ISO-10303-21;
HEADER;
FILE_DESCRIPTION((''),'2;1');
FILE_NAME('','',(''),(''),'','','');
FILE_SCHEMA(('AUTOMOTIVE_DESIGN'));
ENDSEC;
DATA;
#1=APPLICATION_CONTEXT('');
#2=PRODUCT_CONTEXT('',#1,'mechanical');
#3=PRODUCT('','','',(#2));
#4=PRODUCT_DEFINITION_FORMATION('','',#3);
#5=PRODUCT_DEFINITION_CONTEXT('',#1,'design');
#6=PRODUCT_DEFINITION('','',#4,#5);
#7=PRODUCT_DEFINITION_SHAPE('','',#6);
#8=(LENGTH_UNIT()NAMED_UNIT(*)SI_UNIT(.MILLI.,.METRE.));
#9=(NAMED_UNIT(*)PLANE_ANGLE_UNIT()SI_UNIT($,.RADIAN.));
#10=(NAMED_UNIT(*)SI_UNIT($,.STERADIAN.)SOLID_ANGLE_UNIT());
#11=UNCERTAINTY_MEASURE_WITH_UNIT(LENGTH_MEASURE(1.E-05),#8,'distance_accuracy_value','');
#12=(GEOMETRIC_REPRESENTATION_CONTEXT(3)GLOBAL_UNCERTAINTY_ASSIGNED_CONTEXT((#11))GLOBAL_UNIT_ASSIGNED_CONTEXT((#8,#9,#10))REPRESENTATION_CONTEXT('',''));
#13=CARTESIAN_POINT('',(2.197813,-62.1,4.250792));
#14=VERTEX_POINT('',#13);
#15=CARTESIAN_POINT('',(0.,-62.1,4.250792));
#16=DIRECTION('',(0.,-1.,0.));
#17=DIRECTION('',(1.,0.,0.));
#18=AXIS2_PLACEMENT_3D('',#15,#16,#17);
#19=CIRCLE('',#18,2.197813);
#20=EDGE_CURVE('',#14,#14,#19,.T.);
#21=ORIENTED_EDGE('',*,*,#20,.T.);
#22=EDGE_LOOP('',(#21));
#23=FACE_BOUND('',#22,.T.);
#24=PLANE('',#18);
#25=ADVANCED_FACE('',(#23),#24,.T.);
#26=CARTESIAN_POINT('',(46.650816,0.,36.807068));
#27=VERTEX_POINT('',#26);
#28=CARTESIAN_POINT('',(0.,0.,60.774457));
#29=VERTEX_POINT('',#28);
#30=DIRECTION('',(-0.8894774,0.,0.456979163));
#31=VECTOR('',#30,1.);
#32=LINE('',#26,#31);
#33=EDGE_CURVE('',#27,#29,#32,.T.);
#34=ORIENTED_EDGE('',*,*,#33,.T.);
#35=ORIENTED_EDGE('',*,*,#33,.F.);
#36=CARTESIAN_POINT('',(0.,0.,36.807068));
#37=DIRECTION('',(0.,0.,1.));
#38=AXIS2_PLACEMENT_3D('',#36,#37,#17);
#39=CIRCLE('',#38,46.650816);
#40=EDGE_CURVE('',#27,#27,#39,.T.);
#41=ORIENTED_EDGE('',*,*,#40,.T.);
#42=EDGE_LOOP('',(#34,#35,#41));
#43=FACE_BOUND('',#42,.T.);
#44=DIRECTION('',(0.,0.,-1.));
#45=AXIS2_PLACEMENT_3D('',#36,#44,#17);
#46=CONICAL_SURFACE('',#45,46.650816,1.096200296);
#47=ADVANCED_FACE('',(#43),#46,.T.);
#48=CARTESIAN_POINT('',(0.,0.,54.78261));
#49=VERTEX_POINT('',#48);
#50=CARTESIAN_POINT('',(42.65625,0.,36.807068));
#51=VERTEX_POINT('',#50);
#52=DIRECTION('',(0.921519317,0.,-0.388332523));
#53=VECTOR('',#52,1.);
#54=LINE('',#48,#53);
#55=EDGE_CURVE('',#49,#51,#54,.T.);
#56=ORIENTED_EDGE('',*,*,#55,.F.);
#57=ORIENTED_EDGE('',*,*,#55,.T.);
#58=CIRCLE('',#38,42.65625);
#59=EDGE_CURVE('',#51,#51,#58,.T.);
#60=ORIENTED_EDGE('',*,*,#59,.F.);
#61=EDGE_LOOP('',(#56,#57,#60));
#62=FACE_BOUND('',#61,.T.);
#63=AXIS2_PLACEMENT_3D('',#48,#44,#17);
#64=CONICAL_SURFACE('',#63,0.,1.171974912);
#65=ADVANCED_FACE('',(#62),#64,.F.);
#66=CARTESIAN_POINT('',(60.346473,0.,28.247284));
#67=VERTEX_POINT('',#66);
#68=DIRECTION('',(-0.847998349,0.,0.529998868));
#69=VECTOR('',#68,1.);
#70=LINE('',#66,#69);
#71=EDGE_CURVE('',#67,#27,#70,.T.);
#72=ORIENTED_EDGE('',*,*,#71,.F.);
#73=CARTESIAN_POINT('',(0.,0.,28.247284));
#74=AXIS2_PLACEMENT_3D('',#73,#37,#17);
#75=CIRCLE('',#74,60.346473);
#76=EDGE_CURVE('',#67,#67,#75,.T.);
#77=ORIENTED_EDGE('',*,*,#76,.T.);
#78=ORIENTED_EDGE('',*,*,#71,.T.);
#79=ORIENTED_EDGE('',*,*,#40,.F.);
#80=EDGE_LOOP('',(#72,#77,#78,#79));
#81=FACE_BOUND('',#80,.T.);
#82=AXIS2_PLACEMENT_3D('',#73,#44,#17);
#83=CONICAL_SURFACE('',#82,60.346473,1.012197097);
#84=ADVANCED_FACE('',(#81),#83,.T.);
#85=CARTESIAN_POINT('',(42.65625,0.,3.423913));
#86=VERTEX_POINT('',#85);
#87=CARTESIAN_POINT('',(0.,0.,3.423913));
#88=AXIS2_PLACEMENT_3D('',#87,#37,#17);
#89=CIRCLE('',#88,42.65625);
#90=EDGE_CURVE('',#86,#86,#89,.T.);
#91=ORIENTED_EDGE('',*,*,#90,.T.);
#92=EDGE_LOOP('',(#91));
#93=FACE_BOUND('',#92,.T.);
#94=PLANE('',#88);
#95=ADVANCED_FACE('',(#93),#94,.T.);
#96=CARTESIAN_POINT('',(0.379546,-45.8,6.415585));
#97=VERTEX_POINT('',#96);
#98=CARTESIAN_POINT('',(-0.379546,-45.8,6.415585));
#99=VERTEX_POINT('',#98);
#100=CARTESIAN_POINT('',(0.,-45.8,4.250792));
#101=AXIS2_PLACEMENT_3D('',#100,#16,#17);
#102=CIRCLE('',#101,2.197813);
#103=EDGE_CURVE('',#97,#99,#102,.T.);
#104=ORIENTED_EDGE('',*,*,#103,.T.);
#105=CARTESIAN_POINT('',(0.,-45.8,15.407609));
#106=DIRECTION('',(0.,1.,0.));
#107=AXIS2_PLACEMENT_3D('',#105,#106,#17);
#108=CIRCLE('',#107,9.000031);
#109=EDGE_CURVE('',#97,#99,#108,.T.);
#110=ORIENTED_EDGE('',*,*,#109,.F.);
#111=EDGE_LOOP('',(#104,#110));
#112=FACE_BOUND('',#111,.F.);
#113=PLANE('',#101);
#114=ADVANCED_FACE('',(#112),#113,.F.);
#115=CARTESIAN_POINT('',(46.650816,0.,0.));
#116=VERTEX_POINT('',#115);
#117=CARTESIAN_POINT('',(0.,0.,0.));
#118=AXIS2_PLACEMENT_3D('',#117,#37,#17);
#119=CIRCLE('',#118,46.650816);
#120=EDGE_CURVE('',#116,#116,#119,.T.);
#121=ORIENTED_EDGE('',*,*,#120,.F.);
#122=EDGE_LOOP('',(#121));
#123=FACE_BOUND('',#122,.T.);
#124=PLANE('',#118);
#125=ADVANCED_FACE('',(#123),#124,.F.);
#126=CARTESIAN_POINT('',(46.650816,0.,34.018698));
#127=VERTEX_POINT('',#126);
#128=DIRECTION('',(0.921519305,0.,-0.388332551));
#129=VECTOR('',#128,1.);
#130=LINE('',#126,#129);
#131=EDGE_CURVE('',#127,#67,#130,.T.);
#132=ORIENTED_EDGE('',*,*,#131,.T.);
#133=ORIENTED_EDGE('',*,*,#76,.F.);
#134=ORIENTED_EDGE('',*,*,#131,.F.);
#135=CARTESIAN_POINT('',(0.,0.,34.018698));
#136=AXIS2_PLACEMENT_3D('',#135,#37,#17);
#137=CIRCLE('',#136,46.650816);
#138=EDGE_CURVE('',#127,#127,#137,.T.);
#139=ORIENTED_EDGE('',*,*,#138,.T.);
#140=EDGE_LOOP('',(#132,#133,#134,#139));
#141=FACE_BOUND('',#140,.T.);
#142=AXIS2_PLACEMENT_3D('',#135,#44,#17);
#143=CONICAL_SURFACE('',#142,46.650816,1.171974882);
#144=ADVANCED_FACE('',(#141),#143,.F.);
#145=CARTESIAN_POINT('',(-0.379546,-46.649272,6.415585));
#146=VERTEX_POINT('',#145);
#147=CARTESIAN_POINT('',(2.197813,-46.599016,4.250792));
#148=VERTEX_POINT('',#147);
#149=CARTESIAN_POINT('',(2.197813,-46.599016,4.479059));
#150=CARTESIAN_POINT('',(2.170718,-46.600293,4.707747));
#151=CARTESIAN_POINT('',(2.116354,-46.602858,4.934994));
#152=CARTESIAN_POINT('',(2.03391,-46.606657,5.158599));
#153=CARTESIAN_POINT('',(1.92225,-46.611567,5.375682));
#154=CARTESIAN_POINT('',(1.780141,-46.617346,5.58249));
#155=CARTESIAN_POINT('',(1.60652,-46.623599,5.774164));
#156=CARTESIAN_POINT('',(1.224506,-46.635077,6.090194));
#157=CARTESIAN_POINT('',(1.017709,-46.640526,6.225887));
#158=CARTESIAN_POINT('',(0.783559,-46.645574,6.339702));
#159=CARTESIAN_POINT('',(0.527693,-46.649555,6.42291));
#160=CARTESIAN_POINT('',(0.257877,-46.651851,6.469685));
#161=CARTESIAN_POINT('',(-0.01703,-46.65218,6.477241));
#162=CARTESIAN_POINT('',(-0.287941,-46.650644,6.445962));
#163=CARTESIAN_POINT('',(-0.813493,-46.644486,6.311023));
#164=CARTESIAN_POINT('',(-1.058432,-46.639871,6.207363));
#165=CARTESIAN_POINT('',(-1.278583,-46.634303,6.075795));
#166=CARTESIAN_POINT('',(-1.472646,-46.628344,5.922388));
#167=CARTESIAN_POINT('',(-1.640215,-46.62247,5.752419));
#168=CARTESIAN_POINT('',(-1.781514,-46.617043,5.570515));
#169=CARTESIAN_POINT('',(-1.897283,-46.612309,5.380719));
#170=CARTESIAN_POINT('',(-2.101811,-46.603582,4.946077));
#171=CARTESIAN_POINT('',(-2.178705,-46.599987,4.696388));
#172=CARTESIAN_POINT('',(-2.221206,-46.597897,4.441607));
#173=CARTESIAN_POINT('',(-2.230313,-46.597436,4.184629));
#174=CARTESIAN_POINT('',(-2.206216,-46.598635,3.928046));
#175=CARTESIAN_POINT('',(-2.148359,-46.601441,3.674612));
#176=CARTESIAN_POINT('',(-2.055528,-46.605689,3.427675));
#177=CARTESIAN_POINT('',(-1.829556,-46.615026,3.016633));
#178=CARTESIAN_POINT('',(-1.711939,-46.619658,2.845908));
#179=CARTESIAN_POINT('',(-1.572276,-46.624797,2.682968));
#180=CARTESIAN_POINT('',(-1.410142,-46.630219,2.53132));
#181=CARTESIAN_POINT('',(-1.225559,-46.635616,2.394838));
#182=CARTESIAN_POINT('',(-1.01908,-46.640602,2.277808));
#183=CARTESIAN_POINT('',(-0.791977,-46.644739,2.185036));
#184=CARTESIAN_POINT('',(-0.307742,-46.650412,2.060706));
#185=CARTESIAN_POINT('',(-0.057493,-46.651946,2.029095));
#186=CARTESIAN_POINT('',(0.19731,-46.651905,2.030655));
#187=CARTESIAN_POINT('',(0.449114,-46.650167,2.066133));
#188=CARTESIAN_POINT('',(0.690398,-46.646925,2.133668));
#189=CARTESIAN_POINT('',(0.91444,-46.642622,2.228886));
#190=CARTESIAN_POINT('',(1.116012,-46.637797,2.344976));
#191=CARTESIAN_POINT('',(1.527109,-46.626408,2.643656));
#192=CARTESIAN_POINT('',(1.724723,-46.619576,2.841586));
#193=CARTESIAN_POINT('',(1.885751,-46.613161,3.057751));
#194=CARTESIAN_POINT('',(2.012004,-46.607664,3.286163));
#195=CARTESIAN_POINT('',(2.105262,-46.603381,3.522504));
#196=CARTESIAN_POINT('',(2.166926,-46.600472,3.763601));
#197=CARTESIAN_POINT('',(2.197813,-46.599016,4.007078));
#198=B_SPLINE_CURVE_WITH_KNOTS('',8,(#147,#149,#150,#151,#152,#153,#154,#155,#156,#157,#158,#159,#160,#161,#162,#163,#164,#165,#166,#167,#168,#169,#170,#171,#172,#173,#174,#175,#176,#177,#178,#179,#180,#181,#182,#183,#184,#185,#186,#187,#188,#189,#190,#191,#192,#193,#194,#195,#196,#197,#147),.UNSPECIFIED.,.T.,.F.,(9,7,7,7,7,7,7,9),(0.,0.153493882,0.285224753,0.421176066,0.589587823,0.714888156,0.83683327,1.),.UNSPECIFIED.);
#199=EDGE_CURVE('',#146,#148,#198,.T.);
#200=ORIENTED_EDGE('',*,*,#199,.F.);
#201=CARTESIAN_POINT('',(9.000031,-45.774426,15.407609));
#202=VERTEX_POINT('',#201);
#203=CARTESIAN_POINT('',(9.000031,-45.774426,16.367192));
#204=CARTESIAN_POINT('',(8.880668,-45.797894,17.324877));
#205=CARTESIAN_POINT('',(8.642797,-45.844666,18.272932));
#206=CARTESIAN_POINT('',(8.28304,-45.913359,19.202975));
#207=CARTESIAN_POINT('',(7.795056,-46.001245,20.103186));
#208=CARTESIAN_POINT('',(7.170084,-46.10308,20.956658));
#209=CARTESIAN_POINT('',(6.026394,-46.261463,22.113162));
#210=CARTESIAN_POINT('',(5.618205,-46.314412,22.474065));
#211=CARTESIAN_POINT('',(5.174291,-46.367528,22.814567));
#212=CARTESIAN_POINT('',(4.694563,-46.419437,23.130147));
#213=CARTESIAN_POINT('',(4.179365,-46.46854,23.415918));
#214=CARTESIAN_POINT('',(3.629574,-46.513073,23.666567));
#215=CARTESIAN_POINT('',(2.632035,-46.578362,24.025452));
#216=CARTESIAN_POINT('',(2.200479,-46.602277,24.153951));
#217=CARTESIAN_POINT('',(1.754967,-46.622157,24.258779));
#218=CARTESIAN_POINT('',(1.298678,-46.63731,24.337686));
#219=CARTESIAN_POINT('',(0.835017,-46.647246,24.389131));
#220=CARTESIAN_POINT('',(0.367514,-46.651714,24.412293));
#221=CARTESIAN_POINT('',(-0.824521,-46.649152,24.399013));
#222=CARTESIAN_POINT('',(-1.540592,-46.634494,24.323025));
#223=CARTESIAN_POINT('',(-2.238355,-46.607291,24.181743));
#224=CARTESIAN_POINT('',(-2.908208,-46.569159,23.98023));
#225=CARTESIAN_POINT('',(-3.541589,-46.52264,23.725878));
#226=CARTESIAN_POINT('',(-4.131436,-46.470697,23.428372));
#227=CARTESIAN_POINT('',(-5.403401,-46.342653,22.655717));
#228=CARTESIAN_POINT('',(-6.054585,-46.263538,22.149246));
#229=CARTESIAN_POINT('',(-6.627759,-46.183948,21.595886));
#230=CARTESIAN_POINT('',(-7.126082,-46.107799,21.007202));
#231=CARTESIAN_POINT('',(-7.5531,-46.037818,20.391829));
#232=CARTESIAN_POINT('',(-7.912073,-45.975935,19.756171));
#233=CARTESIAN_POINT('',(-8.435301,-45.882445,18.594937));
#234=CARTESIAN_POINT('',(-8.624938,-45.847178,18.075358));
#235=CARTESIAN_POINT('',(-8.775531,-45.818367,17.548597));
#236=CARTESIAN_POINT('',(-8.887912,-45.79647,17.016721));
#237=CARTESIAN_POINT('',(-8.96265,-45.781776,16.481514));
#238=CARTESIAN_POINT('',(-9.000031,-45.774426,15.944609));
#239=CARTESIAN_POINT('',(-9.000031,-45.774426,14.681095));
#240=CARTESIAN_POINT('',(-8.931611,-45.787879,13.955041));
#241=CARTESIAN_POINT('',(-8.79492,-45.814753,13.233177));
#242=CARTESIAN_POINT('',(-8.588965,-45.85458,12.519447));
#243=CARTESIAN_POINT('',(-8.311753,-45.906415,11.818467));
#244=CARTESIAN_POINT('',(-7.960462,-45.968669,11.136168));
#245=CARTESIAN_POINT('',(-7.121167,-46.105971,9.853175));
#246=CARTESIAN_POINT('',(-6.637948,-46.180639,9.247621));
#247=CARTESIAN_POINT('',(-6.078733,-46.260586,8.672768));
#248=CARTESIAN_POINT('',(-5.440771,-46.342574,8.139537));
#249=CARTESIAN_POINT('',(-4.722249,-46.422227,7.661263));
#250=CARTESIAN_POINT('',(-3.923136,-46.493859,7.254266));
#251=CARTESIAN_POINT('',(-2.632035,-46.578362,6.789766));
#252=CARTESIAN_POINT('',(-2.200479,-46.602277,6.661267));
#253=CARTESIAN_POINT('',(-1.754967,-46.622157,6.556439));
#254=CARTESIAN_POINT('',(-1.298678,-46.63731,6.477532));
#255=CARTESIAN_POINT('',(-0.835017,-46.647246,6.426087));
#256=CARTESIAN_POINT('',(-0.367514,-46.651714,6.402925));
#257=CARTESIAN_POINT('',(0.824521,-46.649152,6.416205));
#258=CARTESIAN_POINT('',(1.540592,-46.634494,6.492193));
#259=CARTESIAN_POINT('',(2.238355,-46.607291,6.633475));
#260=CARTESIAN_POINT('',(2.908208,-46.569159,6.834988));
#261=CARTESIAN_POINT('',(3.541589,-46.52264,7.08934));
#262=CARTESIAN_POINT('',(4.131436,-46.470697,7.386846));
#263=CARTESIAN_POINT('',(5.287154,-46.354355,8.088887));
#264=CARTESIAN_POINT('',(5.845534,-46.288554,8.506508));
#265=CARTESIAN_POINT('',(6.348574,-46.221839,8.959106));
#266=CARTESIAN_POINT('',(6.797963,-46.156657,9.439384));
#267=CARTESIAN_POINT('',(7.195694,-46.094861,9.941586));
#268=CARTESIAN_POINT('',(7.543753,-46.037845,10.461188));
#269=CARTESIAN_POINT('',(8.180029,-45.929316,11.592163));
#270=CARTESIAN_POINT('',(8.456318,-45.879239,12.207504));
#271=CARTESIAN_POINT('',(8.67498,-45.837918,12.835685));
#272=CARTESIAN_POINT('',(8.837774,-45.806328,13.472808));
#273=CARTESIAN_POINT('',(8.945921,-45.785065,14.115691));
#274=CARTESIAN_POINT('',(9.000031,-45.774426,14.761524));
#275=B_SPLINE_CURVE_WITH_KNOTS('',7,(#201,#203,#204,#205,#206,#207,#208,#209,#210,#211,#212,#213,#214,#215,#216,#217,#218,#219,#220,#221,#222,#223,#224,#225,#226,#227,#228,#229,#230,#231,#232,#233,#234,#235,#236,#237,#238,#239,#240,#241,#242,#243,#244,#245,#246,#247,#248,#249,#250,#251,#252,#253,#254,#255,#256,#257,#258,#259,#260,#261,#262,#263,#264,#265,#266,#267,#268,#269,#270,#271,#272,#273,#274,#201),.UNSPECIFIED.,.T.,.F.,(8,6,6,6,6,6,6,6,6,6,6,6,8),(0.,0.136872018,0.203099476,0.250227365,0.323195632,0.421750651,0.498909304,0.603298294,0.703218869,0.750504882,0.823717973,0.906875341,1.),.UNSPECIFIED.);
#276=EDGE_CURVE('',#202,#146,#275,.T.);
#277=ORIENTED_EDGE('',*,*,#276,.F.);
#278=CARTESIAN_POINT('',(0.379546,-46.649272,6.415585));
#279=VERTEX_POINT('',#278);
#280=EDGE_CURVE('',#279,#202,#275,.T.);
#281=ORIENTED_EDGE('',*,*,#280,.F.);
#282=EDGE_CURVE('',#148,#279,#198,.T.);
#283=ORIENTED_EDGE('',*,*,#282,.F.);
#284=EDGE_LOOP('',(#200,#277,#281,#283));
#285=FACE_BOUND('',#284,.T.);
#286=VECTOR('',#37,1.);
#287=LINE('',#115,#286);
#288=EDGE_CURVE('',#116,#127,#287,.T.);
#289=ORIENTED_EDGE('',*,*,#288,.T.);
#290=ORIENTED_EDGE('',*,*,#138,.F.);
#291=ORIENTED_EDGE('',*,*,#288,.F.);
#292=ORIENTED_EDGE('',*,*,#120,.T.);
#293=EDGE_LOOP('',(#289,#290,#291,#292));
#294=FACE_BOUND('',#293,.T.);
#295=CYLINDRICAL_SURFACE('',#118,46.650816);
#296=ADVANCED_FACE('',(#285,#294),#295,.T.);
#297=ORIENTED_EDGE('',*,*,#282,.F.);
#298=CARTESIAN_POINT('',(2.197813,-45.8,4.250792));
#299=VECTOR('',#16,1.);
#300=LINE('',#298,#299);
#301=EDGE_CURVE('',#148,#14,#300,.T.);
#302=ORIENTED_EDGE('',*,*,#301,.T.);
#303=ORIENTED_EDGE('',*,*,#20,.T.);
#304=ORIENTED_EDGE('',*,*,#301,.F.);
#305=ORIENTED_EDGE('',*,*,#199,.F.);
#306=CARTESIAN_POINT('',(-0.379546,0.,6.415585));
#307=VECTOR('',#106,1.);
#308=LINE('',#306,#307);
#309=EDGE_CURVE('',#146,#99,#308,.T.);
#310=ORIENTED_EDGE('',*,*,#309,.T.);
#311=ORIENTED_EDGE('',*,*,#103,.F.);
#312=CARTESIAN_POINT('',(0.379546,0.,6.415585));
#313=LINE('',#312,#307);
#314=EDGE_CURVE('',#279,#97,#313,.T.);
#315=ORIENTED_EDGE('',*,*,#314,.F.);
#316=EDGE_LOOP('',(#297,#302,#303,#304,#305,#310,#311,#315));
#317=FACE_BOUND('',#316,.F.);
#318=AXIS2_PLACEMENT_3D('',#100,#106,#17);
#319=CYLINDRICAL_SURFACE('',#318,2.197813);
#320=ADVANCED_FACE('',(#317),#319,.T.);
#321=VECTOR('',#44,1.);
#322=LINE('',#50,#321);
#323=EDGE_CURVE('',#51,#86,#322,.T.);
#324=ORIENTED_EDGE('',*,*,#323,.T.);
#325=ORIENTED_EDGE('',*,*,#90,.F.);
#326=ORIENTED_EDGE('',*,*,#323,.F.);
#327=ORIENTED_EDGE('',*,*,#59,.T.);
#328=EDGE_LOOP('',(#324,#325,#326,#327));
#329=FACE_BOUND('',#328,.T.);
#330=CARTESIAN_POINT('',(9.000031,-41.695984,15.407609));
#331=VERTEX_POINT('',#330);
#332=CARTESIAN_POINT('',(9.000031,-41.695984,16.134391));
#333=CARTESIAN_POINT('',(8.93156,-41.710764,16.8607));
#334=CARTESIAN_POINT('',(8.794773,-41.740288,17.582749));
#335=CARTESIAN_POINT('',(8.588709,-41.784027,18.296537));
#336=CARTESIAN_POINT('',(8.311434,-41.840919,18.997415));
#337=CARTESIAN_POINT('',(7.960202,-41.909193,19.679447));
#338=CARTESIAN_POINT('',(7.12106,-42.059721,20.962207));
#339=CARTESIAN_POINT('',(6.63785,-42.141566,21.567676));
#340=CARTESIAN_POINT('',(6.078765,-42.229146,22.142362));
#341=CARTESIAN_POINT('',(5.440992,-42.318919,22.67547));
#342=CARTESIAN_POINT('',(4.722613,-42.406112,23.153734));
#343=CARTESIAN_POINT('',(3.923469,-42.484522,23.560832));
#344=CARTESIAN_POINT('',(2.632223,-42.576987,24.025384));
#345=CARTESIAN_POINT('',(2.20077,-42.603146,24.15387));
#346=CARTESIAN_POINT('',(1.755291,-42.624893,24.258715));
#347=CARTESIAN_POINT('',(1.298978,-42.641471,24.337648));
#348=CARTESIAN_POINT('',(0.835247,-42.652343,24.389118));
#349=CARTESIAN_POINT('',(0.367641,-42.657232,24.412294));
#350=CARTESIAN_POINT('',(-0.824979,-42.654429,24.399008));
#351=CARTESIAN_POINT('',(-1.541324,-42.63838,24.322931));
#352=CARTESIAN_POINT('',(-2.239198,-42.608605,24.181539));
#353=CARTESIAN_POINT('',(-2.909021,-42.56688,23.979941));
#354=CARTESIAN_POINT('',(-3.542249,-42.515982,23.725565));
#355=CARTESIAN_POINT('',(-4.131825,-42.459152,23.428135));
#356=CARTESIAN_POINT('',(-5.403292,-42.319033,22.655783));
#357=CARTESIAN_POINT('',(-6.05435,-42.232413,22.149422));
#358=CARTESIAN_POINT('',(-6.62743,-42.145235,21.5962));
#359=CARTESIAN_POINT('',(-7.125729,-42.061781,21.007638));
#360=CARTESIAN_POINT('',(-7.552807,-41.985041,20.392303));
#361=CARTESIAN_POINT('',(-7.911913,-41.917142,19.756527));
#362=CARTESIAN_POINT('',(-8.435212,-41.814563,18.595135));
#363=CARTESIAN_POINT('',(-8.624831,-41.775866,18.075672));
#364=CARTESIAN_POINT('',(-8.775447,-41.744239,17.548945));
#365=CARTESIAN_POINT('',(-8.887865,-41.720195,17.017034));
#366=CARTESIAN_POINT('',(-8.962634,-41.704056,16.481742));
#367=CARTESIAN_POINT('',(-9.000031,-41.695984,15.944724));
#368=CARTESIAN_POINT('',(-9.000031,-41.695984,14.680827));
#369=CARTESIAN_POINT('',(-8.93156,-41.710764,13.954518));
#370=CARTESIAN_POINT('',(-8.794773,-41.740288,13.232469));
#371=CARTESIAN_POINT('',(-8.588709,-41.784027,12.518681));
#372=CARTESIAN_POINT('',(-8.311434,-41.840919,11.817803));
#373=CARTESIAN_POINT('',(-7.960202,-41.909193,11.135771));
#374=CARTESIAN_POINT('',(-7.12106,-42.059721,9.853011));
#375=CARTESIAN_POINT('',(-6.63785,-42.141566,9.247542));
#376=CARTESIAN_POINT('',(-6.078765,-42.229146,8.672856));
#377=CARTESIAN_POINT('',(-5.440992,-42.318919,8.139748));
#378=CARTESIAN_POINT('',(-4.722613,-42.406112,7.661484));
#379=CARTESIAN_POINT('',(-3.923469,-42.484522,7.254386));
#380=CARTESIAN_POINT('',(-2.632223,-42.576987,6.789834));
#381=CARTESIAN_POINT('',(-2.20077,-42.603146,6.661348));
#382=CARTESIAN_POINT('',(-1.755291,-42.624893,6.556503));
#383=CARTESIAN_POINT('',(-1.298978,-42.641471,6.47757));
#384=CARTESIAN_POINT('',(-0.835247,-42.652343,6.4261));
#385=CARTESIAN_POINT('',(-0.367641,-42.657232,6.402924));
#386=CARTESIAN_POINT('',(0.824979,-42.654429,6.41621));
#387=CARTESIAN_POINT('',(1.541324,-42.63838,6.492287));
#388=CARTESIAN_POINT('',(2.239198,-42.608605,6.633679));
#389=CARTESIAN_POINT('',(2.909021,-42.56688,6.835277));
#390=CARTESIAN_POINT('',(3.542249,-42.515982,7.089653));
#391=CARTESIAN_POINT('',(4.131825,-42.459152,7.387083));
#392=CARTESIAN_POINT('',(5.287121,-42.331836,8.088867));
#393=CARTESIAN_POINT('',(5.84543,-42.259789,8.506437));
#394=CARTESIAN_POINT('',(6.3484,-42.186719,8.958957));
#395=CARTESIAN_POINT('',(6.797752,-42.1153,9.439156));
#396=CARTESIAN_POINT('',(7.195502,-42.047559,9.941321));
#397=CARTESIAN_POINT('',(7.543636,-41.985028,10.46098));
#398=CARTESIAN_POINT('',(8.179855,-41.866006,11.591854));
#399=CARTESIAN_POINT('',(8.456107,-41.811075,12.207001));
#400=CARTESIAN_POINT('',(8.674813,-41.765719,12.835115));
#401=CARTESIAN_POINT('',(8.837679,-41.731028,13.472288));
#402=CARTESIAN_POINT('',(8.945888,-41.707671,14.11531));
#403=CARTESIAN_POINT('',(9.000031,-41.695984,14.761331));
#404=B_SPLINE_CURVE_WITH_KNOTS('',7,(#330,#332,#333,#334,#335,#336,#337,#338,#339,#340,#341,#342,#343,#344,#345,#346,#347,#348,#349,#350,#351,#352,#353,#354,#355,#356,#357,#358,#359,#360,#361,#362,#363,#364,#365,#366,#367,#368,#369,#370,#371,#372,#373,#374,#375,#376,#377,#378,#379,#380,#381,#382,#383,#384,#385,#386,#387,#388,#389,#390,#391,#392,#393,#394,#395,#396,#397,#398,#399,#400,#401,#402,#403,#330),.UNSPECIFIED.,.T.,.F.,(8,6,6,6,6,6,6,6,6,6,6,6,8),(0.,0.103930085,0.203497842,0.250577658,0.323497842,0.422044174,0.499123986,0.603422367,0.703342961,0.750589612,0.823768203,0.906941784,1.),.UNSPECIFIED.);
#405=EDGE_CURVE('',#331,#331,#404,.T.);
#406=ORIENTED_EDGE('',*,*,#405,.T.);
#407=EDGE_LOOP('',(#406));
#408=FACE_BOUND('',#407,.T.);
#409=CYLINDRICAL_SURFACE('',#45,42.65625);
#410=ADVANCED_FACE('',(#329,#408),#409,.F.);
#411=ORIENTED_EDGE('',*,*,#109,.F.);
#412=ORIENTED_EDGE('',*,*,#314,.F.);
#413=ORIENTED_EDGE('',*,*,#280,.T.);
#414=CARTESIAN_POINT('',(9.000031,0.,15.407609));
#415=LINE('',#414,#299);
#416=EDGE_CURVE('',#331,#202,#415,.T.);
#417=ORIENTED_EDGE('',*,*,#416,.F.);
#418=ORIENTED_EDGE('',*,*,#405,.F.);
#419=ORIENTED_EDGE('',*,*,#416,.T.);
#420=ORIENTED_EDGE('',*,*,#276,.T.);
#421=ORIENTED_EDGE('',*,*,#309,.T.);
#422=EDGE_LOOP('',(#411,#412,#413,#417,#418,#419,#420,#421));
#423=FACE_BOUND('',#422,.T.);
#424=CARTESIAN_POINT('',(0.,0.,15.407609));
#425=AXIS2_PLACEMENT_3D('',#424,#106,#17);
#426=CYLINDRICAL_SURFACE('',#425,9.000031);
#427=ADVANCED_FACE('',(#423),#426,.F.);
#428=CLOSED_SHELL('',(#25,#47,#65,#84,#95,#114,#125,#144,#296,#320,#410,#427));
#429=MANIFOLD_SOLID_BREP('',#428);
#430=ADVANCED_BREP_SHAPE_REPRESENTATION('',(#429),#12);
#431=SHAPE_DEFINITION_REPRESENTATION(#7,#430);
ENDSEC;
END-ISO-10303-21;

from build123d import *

# Parameters (mm, degrees)
F2_R     = 9.000031
F3_DEPTH = 67.8
F5_R     = 2.197813
F6_DEPTH = 16.3


with BuildPart() as f1:
    # F0 (on Front) → F1 (revolve)
    with BuildSketch(Plane.XZ):
        Polygon((0, 3.423913), (0, 0), (42.65625, 0), (46.650816, 0), (46.650816, 34.018698), (60.346473, 28.247284), (46.650816, 36.807068), (0, 60.774457), (0, 54.78261), (42.65625, 36.807068), (42.65625, 3.423913), align=None)
    revolve(axis=Axis((0, 0, 1.711957), (0, 0, 1)))

    # F2 (on Front) → F3 (cut)
    with BuildSketch(Plane.XZ):
        with Locations((0, 15.407609)):
            Circle(F2_R)
    extrude(amount=F3_DEPTH, mode=Mode.SUBTRACT)

    # F5 (on offset) → F6 (join)
    with BuildSketch(Plane.XZ.offset(45.8)):
        with Locations((0, 4.250792)):
            Circle(F5_R)
    extrude(amount=F6_DEPTH)


solid = f1.part
